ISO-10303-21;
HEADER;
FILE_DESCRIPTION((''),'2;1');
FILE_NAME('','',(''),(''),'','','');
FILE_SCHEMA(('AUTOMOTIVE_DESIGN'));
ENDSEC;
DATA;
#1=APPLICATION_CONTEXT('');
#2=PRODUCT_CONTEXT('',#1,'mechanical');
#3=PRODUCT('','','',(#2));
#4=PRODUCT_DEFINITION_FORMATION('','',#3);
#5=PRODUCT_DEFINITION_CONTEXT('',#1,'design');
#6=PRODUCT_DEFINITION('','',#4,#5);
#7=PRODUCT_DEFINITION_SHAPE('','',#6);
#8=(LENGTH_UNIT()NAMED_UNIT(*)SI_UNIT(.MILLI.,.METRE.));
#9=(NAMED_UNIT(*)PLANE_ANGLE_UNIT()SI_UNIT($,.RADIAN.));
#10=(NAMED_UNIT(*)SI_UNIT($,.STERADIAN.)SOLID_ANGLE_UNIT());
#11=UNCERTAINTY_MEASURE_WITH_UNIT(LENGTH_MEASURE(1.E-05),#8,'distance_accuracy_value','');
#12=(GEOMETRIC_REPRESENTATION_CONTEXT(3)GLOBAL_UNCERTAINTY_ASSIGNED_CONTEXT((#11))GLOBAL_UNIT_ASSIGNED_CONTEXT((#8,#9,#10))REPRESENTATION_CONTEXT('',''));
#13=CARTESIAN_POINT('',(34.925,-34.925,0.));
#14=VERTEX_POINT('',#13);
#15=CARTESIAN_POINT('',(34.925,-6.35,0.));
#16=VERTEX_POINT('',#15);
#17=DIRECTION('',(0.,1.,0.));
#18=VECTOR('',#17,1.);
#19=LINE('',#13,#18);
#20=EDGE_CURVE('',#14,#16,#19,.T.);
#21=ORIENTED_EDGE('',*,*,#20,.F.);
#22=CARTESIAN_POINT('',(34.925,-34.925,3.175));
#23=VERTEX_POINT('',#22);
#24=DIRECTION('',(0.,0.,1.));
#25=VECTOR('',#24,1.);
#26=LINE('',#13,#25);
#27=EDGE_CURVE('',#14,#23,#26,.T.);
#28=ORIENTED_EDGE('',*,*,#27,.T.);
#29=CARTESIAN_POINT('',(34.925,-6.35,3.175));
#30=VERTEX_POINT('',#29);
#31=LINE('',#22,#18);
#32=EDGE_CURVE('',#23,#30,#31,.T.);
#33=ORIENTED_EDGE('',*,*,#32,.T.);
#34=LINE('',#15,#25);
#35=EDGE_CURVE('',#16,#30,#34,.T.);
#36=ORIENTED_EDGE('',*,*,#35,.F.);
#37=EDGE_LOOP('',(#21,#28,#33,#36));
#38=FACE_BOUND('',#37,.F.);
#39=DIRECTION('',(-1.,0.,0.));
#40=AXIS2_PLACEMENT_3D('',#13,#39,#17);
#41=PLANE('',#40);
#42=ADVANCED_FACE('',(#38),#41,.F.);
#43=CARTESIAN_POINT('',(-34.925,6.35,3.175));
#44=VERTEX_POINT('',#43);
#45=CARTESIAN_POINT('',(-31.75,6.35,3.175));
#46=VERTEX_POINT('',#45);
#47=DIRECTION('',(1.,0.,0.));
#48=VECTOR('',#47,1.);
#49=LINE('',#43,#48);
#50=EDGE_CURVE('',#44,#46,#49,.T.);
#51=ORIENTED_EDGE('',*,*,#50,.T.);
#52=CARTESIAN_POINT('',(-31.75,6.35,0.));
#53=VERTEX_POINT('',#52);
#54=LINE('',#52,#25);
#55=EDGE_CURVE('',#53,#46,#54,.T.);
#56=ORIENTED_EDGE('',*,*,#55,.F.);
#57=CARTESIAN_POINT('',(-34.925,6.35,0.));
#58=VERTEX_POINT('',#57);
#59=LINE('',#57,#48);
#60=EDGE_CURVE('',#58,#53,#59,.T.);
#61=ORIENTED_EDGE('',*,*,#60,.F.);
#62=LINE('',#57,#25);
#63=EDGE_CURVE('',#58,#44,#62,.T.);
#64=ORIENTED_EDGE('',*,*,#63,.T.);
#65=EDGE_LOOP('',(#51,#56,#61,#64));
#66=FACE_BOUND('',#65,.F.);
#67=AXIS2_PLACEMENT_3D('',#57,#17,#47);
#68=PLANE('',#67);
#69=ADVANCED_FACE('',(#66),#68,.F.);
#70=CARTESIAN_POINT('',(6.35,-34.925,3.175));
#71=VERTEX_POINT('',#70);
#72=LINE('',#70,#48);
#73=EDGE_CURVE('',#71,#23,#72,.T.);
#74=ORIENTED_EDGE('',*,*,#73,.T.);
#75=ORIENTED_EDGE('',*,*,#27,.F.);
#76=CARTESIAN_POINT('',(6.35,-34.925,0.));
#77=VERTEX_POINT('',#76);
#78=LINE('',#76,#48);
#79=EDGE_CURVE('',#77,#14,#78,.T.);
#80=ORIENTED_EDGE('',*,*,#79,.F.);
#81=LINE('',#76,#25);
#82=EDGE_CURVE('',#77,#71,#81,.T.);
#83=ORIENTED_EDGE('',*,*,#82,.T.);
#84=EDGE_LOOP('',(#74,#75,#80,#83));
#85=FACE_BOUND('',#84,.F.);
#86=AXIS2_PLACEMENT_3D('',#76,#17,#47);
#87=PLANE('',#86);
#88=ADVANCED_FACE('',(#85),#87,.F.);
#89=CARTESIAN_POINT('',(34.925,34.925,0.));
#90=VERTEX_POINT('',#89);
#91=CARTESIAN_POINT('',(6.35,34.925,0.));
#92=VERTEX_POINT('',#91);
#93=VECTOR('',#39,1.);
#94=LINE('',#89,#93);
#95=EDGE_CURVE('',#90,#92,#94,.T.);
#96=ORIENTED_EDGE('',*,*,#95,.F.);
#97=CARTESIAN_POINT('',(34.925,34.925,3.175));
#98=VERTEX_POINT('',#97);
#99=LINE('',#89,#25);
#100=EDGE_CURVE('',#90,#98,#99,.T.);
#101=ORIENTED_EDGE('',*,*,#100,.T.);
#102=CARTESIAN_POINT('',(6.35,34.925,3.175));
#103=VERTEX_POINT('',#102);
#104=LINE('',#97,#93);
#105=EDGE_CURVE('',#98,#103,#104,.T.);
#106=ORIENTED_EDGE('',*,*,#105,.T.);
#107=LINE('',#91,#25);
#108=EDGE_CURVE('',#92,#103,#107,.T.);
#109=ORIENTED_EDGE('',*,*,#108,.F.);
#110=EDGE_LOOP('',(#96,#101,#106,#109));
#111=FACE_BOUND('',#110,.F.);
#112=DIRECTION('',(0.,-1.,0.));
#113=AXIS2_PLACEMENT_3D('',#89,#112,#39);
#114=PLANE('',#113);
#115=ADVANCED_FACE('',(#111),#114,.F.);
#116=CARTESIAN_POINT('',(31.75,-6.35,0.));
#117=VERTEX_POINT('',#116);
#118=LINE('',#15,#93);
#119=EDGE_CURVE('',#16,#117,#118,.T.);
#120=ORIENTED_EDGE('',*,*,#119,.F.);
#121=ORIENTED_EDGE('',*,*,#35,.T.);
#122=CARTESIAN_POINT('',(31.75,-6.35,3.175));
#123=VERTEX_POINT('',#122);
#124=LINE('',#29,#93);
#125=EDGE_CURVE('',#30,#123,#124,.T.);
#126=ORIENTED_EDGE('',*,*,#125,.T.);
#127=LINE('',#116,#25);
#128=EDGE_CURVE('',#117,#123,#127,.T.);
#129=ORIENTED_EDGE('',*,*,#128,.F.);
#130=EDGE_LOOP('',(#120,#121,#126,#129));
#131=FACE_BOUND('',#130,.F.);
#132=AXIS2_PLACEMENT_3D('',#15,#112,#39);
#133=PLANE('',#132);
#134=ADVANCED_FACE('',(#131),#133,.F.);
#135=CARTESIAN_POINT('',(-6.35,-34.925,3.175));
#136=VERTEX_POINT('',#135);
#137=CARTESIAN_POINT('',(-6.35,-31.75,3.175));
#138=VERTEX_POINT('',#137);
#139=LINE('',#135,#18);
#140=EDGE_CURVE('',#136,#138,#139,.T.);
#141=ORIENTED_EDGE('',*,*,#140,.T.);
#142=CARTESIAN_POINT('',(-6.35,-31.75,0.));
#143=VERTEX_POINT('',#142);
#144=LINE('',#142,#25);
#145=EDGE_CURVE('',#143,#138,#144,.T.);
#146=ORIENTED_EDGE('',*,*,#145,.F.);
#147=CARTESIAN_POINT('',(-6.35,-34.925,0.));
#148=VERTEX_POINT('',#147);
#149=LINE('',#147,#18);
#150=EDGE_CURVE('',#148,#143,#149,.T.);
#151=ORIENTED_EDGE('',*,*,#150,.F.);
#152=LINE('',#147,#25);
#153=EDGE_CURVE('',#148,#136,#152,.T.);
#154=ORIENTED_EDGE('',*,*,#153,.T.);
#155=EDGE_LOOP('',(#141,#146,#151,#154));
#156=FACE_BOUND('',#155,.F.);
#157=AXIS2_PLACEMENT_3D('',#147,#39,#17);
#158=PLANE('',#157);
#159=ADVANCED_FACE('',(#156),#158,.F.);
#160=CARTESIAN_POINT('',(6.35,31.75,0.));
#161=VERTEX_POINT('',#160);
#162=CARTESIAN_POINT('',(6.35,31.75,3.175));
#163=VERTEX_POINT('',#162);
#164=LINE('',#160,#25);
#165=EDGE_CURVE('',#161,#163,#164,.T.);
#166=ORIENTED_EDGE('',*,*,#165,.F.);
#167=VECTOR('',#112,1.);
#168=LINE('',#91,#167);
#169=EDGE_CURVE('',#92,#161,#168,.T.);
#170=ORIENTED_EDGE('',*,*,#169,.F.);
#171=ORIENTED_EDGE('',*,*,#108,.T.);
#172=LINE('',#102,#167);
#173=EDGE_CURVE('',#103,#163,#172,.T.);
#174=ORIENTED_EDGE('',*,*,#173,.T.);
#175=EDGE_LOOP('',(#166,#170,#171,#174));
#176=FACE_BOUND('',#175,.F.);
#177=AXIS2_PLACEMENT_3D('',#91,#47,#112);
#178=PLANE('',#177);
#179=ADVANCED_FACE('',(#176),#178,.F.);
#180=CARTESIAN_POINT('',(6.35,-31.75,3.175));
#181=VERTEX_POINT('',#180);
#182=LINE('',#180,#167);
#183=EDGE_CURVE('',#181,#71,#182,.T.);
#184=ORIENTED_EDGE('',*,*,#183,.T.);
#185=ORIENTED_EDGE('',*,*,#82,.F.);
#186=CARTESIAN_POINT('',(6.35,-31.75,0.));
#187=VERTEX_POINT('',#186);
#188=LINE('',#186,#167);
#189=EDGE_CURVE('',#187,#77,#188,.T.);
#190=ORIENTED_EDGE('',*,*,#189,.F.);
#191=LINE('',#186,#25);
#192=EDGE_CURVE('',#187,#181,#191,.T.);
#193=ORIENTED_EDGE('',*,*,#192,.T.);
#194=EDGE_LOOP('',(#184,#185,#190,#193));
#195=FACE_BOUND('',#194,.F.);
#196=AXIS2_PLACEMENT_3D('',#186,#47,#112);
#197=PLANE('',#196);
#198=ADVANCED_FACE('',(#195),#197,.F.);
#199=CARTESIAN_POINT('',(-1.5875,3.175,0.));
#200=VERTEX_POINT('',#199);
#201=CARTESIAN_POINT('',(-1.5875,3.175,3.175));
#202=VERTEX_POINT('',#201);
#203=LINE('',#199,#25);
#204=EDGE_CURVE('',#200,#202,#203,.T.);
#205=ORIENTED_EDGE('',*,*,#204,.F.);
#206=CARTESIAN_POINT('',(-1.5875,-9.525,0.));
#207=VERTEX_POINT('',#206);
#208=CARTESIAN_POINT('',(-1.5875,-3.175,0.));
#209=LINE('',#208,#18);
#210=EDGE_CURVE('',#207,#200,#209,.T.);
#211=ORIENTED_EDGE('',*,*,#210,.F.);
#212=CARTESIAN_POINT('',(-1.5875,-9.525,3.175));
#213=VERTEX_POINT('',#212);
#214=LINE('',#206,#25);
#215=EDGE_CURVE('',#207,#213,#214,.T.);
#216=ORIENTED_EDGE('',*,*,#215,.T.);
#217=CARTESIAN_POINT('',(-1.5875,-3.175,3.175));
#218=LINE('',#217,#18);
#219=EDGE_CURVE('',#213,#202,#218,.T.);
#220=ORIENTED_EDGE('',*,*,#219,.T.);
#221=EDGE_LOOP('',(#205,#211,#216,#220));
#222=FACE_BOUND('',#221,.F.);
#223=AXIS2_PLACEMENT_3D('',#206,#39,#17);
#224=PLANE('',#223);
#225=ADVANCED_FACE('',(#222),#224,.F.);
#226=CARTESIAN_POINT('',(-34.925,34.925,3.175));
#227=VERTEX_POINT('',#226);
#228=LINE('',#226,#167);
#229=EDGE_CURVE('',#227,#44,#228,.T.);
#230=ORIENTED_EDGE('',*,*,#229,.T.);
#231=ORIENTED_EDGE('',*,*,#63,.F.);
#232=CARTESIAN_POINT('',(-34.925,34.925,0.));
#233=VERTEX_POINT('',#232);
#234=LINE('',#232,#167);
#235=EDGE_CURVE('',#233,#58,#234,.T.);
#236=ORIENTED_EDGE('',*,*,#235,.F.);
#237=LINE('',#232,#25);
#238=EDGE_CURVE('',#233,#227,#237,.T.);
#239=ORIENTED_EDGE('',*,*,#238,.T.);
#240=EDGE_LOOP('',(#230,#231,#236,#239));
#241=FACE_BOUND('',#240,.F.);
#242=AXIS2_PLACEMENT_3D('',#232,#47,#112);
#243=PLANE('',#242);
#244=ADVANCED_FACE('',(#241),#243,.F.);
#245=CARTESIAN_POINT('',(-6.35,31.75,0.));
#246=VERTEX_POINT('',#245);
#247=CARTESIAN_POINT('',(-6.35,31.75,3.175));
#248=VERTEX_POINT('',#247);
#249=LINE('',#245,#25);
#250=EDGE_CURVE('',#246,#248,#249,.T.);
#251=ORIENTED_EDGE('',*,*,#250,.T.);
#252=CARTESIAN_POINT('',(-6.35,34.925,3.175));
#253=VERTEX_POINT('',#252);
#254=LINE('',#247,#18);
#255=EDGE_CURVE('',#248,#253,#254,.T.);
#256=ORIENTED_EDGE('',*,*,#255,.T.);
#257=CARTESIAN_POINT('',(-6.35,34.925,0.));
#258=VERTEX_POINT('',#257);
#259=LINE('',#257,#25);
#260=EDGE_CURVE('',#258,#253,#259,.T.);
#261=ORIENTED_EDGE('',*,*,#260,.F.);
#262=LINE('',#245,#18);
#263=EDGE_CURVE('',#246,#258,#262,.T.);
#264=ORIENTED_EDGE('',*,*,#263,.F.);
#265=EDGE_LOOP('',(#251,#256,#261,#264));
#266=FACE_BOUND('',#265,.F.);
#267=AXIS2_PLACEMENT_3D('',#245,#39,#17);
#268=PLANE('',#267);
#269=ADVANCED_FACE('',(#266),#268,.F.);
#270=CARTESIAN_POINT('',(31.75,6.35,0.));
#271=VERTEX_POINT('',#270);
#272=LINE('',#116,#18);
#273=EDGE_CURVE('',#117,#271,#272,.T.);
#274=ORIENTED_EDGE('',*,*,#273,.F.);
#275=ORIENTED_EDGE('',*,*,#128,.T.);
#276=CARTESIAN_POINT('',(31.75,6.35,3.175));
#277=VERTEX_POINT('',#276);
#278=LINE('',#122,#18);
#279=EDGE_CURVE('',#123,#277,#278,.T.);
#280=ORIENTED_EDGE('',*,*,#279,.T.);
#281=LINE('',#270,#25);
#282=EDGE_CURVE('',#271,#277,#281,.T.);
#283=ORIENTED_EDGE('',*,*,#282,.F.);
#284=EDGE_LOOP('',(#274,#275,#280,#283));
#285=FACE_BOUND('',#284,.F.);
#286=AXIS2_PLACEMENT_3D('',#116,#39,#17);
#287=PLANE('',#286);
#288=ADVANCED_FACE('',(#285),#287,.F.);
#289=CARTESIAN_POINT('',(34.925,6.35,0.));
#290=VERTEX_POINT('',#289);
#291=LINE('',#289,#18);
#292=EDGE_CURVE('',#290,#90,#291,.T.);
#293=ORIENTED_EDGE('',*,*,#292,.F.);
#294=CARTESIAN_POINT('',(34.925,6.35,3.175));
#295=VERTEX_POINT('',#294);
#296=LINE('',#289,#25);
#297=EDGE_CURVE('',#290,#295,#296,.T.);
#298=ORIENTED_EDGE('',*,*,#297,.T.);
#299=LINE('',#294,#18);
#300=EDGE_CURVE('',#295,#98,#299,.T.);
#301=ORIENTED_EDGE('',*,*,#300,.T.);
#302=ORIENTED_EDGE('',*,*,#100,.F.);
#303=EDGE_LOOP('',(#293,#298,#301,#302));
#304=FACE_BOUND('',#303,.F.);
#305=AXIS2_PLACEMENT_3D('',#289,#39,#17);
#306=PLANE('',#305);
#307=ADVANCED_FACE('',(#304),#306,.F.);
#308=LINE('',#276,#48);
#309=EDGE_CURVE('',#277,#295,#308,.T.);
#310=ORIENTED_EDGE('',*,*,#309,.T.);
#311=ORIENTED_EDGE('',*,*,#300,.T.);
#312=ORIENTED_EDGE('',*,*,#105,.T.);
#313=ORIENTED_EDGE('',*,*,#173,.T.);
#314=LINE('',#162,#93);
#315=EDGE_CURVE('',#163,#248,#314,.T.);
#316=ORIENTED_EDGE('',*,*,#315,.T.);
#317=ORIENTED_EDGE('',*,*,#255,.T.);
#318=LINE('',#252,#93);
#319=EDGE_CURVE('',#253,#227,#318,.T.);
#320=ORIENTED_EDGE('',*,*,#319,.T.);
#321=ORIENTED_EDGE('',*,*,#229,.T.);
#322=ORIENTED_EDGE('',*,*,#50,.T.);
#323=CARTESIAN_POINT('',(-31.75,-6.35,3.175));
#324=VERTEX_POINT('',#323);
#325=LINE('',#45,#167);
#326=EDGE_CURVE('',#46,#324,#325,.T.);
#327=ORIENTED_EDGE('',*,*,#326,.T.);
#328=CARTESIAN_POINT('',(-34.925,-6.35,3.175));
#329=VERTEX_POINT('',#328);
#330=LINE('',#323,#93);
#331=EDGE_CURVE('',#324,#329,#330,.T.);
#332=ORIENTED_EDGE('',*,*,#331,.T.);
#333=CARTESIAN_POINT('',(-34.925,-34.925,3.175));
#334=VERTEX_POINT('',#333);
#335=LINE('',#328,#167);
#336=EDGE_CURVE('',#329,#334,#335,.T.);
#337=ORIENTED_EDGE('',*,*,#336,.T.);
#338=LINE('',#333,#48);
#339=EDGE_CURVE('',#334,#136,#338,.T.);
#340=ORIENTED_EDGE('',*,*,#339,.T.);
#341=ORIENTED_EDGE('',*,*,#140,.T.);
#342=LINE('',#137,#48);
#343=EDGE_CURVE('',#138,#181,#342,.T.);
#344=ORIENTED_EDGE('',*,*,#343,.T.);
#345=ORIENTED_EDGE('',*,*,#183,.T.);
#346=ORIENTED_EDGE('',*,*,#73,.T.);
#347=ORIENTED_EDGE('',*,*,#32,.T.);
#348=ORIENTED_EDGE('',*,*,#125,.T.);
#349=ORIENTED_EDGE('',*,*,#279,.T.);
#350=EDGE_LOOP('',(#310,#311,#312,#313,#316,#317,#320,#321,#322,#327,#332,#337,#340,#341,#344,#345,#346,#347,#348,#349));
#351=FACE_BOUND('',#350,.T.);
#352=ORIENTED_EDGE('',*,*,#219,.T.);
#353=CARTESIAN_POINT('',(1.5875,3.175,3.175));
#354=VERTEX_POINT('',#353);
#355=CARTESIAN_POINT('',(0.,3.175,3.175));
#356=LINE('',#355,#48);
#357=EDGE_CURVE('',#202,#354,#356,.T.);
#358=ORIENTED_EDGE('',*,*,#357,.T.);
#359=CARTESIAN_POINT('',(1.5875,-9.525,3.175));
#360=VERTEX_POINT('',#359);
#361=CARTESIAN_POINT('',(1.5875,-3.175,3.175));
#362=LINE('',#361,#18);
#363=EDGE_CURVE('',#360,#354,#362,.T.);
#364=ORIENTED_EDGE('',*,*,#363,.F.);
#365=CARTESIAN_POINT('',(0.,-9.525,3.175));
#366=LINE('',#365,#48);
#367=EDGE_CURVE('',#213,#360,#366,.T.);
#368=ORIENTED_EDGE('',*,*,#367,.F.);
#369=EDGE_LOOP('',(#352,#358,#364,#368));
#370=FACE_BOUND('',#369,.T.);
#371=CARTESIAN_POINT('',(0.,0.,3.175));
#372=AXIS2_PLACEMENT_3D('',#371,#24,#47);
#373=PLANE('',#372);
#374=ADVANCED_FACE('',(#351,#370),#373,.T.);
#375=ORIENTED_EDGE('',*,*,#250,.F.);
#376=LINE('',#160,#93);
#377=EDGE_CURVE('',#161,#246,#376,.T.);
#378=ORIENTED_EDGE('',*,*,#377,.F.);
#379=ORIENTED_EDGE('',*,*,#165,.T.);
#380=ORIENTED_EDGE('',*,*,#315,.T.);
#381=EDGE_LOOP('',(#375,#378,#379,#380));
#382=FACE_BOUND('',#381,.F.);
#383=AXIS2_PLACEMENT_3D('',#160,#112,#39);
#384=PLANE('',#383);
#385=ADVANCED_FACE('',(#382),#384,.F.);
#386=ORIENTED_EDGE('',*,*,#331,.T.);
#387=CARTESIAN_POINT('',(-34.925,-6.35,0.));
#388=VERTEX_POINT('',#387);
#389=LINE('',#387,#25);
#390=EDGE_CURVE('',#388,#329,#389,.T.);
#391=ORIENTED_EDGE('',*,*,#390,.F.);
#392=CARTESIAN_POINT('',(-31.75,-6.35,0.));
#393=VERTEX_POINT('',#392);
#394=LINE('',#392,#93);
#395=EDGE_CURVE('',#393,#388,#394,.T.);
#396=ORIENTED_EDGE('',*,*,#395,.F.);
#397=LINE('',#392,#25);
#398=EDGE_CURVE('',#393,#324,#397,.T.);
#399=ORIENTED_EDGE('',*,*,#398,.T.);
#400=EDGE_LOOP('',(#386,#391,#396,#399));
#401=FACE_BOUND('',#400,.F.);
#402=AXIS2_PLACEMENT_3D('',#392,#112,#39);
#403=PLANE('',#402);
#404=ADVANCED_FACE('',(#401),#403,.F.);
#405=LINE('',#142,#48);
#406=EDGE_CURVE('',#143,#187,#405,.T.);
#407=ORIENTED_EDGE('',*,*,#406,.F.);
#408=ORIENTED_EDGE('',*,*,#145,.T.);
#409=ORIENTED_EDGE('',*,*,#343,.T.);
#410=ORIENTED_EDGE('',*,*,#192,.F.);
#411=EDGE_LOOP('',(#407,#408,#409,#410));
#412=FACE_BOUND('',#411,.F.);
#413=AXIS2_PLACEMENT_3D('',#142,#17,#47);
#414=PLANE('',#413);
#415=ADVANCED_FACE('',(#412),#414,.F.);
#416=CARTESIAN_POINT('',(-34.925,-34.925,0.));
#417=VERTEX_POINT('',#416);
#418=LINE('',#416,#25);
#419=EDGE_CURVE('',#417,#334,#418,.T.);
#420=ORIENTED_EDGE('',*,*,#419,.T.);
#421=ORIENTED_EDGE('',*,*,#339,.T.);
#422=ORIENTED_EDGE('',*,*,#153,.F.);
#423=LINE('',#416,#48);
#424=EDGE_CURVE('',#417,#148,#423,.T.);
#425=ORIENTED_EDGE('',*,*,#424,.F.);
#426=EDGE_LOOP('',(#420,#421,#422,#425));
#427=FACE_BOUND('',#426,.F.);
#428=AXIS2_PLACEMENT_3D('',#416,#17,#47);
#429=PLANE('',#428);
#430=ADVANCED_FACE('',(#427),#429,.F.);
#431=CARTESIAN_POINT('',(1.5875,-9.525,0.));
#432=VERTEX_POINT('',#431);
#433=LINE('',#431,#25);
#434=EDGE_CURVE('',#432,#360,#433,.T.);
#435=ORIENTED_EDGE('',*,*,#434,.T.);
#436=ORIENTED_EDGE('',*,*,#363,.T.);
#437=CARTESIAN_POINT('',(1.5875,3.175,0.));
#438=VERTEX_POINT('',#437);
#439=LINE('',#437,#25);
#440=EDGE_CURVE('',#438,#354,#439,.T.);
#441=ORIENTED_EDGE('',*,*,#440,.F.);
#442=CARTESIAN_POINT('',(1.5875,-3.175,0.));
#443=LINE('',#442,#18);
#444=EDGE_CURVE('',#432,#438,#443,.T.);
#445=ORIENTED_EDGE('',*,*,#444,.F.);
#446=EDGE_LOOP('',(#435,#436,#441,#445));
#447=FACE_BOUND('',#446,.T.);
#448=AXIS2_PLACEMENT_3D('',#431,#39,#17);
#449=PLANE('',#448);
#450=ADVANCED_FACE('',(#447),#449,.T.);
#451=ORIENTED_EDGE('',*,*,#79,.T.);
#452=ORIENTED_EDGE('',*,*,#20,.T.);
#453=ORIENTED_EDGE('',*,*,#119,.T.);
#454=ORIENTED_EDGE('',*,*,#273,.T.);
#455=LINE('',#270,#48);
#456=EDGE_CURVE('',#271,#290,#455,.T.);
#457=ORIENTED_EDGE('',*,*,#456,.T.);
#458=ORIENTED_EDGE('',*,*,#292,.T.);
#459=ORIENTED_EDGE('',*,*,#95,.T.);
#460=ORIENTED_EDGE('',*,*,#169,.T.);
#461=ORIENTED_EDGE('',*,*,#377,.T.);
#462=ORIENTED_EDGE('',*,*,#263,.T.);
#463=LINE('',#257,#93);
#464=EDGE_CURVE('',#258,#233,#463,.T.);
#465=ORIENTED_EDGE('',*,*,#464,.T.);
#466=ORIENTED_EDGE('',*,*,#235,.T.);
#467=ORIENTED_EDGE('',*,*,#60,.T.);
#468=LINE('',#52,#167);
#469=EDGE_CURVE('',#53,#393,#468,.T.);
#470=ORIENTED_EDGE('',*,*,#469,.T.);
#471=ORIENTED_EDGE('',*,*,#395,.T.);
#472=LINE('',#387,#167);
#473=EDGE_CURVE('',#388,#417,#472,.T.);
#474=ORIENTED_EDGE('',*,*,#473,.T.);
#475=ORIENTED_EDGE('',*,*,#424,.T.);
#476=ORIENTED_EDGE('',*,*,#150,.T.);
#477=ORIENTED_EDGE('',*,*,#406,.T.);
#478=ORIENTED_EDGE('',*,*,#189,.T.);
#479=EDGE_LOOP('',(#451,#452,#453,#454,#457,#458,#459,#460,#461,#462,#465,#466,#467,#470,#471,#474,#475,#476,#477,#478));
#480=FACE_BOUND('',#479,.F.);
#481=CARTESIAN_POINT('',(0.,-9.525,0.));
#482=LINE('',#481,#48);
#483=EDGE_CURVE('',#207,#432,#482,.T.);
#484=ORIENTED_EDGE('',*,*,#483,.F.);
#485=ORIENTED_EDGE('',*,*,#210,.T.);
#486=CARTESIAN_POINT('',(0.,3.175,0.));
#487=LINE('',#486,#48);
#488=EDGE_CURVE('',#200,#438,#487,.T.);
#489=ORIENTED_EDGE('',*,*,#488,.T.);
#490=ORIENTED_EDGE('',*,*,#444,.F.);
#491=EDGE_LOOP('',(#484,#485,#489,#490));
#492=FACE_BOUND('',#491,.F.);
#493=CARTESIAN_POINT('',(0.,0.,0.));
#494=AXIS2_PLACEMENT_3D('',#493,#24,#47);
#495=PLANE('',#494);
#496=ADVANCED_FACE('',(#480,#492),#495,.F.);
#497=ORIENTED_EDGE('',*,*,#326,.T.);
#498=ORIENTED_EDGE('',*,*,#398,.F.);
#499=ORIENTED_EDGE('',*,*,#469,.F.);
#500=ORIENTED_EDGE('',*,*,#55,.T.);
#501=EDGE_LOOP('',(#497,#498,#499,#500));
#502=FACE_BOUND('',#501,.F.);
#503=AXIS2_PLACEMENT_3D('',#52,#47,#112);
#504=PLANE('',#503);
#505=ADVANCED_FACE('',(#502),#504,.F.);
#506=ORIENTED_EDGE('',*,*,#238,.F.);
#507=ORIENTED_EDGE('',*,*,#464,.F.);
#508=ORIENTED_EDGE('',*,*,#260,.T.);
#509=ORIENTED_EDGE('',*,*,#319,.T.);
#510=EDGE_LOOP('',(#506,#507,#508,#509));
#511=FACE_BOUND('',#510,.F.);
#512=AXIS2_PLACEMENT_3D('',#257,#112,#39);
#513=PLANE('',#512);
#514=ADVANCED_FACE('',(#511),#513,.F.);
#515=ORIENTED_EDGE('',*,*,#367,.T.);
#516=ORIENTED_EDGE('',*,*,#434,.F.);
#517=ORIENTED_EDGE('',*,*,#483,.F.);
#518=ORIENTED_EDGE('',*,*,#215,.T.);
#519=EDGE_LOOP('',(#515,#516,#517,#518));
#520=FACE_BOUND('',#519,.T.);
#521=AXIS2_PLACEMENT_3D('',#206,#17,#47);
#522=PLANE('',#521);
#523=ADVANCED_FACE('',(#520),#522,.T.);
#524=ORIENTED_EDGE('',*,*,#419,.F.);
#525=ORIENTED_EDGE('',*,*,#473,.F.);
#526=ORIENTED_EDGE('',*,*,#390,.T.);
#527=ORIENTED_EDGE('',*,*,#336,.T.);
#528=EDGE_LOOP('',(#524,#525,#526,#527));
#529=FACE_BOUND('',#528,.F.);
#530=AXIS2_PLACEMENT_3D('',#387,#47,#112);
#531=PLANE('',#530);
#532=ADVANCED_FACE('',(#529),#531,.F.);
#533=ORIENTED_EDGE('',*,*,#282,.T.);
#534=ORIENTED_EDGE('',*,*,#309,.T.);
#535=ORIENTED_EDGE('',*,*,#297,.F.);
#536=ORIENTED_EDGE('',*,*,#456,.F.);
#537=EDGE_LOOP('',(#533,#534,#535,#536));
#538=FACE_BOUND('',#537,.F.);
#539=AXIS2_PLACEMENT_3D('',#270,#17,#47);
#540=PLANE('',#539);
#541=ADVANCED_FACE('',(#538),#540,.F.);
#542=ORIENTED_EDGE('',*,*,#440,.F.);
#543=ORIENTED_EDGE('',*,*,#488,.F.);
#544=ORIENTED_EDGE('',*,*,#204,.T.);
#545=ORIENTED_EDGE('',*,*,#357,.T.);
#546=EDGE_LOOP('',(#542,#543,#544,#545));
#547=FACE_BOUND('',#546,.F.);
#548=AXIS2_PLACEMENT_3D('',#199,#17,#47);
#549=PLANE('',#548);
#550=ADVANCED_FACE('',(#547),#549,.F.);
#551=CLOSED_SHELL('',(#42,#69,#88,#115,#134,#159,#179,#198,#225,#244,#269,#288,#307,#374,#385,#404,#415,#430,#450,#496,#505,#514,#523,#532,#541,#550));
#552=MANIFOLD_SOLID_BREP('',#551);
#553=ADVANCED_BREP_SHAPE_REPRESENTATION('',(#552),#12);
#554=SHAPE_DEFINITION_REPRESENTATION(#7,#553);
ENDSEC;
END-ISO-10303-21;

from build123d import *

# Parameters (mm, degrees)
F0_W     = 3.175
F0_H     = 12.7
F1_DEPTH = 3.175


with BuildPart() as f1:
    # F0 (on Top) → F1 (new body)
    with BuildSketch(Plane.XY):
        Polygon((34.925, 6.35), (34.925, 34.925), (6.35, 34.925), (6.35, 31.75), (-6.35, 31.75), (-6.35, 34.925), (-34.925, 34.925), (-34.925, 6.35), (-31.75, 6.35), (-31.75, -6.35), (-34.925, -6.35), (-34.925, -34.925), (-6.35, -34.925), (-6.35, -31.75), (6.35, -31.75), (6.35, -34.925), (34.925, -34.925), (34.925, -6.35), (31.75, -6.35), (31.75, 6.35), align=None)
        with Locations((0, -3.175)):
            Rectangle(F0_W, F0_H, mode=Mode.SUBTRACT)
    extrude(amount=F1_DEPTH)


solid = f1.part
